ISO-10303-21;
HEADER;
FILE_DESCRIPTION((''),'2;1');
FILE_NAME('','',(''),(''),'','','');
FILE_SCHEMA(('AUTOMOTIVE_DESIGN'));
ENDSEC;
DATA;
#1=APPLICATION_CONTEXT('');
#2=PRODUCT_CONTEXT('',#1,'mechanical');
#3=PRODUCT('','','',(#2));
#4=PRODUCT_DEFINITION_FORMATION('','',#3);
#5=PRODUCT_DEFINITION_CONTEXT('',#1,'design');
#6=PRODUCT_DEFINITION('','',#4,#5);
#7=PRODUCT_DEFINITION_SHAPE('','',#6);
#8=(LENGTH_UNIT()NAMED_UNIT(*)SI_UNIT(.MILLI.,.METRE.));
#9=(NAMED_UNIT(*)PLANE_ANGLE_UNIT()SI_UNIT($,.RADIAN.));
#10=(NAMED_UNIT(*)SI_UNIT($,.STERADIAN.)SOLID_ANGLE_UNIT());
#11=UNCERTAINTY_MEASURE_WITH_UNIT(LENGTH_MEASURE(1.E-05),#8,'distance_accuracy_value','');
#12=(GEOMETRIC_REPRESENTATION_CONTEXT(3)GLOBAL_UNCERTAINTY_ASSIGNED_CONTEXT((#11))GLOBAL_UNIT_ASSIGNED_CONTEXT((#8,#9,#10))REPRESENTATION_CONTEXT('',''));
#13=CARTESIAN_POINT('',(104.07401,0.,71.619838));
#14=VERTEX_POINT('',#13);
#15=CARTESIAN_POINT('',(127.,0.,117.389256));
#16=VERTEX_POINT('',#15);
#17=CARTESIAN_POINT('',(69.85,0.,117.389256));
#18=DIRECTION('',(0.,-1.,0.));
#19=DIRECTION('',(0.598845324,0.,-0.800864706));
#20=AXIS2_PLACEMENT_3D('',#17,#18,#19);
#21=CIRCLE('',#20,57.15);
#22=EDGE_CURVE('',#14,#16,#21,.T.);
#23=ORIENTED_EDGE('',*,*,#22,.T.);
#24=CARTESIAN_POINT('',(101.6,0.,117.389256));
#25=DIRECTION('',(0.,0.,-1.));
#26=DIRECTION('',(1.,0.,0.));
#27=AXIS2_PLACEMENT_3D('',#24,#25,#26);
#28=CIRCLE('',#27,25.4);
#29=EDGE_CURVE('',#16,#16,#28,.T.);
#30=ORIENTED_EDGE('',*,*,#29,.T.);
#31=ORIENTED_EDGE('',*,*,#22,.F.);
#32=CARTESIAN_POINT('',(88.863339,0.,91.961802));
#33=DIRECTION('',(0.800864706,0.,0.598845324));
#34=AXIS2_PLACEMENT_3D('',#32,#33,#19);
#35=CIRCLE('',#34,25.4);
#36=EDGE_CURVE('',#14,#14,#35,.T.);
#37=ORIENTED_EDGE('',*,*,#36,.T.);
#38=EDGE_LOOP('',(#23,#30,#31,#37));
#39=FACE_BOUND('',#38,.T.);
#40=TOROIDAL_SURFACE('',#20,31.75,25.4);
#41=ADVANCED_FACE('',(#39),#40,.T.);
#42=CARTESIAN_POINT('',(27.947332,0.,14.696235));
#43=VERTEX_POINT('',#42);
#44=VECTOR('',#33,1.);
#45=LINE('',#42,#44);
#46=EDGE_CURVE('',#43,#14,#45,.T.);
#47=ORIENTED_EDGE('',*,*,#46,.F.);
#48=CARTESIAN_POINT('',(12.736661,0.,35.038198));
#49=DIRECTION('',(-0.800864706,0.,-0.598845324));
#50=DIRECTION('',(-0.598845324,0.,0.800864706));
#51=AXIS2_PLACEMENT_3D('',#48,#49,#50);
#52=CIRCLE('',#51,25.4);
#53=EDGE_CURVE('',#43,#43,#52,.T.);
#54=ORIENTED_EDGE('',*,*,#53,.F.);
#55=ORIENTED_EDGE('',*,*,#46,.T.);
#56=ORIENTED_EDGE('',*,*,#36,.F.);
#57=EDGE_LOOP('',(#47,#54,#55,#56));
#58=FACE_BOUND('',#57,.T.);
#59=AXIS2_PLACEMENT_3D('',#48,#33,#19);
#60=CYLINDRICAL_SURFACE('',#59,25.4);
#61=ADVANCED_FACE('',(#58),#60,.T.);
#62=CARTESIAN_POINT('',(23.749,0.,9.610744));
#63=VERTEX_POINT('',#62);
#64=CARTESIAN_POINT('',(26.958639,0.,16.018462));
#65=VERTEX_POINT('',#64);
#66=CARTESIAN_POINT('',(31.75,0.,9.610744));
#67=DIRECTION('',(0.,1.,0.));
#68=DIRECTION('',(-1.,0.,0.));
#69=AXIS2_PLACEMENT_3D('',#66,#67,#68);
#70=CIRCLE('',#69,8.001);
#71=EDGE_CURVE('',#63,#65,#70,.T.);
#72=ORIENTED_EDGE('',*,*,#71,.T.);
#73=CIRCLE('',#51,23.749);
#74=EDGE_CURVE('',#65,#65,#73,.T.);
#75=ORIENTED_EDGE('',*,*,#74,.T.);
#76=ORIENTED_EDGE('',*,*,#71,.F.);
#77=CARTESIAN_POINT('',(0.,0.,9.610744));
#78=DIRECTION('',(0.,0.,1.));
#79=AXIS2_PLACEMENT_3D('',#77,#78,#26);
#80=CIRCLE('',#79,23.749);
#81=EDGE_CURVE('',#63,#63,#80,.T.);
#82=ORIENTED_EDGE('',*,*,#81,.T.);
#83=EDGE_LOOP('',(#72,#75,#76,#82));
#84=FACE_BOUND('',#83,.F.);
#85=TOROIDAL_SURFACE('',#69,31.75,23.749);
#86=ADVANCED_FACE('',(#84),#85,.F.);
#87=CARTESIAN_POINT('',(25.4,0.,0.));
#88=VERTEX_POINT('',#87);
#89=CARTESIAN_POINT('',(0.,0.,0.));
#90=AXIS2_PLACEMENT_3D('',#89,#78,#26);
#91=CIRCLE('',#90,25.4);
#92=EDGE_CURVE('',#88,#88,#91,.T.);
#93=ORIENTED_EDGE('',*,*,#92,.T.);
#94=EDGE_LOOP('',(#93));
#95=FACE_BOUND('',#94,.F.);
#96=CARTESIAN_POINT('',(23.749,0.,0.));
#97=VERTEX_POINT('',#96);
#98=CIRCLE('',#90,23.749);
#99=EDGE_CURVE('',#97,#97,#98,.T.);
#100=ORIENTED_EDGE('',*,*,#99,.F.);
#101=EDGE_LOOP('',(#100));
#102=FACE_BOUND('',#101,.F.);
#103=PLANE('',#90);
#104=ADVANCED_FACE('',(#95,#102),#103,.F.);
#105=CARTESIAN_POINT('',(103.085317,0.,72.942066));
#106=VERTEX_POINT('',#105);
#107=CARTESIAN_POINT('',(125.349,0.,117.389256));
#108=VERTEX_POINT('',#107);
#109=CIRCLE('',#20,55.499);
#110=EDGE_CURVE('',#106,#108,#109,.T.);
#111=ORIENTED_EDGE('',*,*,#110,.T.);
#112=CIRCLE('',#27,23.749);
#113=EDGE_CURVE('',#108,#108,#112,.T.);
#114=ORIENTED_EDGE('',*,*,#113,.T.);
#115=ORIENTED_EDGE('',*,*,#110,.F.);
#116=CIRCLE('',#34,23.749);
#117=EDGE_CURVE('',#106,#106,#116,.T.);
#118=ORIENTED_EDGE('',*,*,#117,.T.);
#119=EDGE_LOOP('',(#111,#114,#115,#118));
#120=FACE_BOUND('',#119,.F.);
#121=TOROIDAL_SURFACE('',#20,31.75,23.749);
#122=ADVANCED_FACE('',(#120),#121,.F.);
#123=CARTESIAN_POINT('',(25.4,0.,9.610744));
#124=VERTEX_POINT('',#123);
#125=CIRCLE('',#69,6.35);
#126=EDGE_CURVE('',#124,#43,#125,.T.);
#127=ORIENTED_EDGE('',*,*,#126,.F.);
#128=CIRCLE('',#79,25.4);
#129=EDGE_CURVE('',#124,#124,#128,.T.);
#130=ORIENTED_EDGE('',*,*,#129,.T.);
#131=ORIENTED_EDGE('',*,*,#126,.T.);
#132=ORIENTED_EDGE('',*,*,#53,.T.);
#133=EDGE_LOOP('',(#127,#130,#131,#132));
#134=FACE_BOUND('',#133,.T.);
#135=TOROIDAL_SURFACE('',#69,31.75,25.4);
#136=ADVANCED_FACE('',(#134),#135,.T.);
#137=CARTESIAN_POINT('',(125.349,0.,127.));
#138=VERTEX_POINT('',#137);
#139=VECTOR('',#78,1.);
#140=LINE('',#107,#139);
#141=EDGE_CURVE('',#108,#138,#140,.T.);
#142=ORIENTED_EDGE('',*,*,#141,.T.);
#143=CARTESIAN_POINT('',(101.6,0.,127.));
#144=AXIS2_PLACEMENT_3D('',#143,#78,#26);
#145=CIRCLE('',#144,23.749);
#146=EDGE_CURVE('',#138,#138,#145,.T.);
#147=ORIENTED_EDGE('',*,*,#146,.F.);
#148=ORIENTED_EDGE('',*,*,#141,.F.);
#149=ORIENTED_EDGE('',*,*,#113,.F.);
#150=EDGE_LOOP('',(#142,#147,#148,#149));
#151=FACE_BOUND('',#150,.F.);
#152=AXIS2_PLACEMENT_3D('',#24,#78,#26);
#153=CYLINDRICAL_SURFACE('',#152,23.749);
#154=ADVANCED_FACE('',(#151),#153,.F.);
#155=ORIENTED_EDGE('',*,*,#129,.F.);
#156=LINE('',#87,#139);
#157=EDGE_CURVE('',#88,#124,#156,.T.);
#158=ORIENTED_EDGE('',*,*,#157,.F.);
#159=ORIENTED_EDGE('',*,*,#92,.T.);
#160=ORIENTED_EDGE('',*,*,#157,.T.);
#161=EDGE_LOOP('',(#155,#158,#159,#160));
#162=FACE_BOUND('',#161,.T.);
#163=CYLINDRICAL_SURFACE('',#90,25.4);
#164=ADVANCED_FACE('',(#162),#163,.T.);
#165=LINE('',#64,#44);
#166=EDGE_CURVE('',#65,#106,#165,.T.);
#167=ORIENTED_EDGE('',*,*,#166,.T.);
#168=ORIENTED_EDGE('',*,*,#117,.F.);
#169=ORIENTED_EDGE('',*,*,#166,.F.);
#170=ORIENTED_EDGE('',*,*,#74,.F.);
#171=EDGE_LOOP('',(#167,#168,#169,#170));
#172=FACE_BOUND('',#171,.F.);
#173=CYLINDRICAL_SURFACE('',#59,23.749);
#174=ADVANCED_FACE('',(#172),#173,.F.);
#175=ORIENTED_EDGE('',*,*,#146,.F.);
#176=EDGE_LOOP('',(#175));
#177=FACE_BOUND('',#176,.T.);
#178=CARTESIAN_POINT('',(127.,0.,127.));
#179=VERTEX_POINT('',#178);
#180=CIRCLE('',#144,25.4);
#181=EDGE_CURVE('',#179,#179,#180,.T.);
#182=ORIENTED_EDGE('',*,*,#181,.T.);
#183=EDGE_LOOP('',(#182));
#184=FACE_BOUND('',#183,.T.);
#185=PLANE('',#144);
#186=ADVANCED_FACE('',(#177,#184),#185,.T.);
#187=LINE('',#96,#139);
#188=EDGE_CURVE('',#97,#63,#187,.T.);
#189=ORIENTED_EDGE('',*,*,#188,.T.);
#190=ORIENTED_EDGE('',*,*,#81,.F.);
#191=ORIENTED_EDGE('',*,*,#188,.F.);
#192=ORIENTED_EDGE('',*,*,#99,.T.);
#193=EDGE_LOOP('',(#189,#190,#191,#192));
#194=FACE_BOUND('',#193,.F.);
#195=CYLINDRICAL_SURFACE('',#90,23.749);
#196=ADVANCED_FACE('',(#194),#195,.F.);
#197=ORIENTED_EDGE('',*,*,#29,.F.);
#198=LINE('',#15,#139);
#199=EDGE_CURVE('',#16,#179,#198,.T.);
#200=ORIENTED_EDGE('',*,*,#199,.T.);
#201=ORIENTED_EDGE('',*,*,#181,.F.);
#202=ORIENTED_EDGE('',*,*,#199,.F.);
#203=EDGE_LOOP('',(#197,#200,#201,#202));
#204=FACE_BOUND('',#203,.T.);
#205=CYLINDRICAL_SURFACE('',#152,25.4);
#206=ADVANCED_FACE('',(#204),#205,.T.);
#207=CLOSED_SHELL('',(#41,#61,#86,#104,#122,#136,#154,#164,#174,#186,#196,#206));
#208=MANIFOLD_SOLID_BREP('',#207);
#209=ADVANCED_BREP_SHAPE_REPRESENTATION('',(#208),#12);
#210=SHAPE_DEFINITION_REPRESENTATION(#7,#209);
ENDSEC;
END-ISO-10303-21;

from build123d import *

# Parameters (mm, degrees)
F1_R = 25.4
F3_R = 23.749


with BuildPart() as f2:
    # F2: sweep along a path in F0
    with BuildLine(Plane.XZ) as f2_path:
        Line((0, 0), (0, 9.6107436847))
        ThreePointArc((0, 9.6107436847), (3.3621855838, 23.8302546703), (12.7366609557, 35.0381981067))
        Line((12.7366609557, 35.0381981067), (88.8633390443, 91.9618018933))
        ThreePointArc((88.8633390443, 91.9618018933), (98.2378144162, 103.1697453297), (101.6, 117.3892563153))
        Line((101.6, 117.3892563153), (101.6, 127))
    # F1 (on Top) → F2 (sweep)
    with BuildSketch(Plane.XY):
        Circle(F1_R)
    sweep(path=f2_path.line)

    # F4: sweep along a path in F0
    with BuildLine(Plane.XZ) as f4_path:
        Line((0, 0), (0, 9.6107436847))
        ThreePointArc((0, 9.6107436847), (3.3621855838, 23.8302546703), (12.7366609557, 35.0381981067))
        Line((12.7366609557, 35.0381981067), (88.8633390443, 91.9618018933))
        ThreePointArc((88.8633390443, 91.9618018933), (98.2378144162, 103.1697453297), (101.6, 117.3892563153))
        Line((101.6, 117.3892563153), (101.6, 127))
    # F3 (on face) → F4 (sweep, cut)
    with BuildSketch(Plane(origin=(0, 0, 0), x_dir=(1, 0, 0), z_dir=(0, 0, -1))):
        Circle(F3_R)
    sweep(path=f4_path.line, mode=Mode.SUBTRACT)


solid = f2.part
